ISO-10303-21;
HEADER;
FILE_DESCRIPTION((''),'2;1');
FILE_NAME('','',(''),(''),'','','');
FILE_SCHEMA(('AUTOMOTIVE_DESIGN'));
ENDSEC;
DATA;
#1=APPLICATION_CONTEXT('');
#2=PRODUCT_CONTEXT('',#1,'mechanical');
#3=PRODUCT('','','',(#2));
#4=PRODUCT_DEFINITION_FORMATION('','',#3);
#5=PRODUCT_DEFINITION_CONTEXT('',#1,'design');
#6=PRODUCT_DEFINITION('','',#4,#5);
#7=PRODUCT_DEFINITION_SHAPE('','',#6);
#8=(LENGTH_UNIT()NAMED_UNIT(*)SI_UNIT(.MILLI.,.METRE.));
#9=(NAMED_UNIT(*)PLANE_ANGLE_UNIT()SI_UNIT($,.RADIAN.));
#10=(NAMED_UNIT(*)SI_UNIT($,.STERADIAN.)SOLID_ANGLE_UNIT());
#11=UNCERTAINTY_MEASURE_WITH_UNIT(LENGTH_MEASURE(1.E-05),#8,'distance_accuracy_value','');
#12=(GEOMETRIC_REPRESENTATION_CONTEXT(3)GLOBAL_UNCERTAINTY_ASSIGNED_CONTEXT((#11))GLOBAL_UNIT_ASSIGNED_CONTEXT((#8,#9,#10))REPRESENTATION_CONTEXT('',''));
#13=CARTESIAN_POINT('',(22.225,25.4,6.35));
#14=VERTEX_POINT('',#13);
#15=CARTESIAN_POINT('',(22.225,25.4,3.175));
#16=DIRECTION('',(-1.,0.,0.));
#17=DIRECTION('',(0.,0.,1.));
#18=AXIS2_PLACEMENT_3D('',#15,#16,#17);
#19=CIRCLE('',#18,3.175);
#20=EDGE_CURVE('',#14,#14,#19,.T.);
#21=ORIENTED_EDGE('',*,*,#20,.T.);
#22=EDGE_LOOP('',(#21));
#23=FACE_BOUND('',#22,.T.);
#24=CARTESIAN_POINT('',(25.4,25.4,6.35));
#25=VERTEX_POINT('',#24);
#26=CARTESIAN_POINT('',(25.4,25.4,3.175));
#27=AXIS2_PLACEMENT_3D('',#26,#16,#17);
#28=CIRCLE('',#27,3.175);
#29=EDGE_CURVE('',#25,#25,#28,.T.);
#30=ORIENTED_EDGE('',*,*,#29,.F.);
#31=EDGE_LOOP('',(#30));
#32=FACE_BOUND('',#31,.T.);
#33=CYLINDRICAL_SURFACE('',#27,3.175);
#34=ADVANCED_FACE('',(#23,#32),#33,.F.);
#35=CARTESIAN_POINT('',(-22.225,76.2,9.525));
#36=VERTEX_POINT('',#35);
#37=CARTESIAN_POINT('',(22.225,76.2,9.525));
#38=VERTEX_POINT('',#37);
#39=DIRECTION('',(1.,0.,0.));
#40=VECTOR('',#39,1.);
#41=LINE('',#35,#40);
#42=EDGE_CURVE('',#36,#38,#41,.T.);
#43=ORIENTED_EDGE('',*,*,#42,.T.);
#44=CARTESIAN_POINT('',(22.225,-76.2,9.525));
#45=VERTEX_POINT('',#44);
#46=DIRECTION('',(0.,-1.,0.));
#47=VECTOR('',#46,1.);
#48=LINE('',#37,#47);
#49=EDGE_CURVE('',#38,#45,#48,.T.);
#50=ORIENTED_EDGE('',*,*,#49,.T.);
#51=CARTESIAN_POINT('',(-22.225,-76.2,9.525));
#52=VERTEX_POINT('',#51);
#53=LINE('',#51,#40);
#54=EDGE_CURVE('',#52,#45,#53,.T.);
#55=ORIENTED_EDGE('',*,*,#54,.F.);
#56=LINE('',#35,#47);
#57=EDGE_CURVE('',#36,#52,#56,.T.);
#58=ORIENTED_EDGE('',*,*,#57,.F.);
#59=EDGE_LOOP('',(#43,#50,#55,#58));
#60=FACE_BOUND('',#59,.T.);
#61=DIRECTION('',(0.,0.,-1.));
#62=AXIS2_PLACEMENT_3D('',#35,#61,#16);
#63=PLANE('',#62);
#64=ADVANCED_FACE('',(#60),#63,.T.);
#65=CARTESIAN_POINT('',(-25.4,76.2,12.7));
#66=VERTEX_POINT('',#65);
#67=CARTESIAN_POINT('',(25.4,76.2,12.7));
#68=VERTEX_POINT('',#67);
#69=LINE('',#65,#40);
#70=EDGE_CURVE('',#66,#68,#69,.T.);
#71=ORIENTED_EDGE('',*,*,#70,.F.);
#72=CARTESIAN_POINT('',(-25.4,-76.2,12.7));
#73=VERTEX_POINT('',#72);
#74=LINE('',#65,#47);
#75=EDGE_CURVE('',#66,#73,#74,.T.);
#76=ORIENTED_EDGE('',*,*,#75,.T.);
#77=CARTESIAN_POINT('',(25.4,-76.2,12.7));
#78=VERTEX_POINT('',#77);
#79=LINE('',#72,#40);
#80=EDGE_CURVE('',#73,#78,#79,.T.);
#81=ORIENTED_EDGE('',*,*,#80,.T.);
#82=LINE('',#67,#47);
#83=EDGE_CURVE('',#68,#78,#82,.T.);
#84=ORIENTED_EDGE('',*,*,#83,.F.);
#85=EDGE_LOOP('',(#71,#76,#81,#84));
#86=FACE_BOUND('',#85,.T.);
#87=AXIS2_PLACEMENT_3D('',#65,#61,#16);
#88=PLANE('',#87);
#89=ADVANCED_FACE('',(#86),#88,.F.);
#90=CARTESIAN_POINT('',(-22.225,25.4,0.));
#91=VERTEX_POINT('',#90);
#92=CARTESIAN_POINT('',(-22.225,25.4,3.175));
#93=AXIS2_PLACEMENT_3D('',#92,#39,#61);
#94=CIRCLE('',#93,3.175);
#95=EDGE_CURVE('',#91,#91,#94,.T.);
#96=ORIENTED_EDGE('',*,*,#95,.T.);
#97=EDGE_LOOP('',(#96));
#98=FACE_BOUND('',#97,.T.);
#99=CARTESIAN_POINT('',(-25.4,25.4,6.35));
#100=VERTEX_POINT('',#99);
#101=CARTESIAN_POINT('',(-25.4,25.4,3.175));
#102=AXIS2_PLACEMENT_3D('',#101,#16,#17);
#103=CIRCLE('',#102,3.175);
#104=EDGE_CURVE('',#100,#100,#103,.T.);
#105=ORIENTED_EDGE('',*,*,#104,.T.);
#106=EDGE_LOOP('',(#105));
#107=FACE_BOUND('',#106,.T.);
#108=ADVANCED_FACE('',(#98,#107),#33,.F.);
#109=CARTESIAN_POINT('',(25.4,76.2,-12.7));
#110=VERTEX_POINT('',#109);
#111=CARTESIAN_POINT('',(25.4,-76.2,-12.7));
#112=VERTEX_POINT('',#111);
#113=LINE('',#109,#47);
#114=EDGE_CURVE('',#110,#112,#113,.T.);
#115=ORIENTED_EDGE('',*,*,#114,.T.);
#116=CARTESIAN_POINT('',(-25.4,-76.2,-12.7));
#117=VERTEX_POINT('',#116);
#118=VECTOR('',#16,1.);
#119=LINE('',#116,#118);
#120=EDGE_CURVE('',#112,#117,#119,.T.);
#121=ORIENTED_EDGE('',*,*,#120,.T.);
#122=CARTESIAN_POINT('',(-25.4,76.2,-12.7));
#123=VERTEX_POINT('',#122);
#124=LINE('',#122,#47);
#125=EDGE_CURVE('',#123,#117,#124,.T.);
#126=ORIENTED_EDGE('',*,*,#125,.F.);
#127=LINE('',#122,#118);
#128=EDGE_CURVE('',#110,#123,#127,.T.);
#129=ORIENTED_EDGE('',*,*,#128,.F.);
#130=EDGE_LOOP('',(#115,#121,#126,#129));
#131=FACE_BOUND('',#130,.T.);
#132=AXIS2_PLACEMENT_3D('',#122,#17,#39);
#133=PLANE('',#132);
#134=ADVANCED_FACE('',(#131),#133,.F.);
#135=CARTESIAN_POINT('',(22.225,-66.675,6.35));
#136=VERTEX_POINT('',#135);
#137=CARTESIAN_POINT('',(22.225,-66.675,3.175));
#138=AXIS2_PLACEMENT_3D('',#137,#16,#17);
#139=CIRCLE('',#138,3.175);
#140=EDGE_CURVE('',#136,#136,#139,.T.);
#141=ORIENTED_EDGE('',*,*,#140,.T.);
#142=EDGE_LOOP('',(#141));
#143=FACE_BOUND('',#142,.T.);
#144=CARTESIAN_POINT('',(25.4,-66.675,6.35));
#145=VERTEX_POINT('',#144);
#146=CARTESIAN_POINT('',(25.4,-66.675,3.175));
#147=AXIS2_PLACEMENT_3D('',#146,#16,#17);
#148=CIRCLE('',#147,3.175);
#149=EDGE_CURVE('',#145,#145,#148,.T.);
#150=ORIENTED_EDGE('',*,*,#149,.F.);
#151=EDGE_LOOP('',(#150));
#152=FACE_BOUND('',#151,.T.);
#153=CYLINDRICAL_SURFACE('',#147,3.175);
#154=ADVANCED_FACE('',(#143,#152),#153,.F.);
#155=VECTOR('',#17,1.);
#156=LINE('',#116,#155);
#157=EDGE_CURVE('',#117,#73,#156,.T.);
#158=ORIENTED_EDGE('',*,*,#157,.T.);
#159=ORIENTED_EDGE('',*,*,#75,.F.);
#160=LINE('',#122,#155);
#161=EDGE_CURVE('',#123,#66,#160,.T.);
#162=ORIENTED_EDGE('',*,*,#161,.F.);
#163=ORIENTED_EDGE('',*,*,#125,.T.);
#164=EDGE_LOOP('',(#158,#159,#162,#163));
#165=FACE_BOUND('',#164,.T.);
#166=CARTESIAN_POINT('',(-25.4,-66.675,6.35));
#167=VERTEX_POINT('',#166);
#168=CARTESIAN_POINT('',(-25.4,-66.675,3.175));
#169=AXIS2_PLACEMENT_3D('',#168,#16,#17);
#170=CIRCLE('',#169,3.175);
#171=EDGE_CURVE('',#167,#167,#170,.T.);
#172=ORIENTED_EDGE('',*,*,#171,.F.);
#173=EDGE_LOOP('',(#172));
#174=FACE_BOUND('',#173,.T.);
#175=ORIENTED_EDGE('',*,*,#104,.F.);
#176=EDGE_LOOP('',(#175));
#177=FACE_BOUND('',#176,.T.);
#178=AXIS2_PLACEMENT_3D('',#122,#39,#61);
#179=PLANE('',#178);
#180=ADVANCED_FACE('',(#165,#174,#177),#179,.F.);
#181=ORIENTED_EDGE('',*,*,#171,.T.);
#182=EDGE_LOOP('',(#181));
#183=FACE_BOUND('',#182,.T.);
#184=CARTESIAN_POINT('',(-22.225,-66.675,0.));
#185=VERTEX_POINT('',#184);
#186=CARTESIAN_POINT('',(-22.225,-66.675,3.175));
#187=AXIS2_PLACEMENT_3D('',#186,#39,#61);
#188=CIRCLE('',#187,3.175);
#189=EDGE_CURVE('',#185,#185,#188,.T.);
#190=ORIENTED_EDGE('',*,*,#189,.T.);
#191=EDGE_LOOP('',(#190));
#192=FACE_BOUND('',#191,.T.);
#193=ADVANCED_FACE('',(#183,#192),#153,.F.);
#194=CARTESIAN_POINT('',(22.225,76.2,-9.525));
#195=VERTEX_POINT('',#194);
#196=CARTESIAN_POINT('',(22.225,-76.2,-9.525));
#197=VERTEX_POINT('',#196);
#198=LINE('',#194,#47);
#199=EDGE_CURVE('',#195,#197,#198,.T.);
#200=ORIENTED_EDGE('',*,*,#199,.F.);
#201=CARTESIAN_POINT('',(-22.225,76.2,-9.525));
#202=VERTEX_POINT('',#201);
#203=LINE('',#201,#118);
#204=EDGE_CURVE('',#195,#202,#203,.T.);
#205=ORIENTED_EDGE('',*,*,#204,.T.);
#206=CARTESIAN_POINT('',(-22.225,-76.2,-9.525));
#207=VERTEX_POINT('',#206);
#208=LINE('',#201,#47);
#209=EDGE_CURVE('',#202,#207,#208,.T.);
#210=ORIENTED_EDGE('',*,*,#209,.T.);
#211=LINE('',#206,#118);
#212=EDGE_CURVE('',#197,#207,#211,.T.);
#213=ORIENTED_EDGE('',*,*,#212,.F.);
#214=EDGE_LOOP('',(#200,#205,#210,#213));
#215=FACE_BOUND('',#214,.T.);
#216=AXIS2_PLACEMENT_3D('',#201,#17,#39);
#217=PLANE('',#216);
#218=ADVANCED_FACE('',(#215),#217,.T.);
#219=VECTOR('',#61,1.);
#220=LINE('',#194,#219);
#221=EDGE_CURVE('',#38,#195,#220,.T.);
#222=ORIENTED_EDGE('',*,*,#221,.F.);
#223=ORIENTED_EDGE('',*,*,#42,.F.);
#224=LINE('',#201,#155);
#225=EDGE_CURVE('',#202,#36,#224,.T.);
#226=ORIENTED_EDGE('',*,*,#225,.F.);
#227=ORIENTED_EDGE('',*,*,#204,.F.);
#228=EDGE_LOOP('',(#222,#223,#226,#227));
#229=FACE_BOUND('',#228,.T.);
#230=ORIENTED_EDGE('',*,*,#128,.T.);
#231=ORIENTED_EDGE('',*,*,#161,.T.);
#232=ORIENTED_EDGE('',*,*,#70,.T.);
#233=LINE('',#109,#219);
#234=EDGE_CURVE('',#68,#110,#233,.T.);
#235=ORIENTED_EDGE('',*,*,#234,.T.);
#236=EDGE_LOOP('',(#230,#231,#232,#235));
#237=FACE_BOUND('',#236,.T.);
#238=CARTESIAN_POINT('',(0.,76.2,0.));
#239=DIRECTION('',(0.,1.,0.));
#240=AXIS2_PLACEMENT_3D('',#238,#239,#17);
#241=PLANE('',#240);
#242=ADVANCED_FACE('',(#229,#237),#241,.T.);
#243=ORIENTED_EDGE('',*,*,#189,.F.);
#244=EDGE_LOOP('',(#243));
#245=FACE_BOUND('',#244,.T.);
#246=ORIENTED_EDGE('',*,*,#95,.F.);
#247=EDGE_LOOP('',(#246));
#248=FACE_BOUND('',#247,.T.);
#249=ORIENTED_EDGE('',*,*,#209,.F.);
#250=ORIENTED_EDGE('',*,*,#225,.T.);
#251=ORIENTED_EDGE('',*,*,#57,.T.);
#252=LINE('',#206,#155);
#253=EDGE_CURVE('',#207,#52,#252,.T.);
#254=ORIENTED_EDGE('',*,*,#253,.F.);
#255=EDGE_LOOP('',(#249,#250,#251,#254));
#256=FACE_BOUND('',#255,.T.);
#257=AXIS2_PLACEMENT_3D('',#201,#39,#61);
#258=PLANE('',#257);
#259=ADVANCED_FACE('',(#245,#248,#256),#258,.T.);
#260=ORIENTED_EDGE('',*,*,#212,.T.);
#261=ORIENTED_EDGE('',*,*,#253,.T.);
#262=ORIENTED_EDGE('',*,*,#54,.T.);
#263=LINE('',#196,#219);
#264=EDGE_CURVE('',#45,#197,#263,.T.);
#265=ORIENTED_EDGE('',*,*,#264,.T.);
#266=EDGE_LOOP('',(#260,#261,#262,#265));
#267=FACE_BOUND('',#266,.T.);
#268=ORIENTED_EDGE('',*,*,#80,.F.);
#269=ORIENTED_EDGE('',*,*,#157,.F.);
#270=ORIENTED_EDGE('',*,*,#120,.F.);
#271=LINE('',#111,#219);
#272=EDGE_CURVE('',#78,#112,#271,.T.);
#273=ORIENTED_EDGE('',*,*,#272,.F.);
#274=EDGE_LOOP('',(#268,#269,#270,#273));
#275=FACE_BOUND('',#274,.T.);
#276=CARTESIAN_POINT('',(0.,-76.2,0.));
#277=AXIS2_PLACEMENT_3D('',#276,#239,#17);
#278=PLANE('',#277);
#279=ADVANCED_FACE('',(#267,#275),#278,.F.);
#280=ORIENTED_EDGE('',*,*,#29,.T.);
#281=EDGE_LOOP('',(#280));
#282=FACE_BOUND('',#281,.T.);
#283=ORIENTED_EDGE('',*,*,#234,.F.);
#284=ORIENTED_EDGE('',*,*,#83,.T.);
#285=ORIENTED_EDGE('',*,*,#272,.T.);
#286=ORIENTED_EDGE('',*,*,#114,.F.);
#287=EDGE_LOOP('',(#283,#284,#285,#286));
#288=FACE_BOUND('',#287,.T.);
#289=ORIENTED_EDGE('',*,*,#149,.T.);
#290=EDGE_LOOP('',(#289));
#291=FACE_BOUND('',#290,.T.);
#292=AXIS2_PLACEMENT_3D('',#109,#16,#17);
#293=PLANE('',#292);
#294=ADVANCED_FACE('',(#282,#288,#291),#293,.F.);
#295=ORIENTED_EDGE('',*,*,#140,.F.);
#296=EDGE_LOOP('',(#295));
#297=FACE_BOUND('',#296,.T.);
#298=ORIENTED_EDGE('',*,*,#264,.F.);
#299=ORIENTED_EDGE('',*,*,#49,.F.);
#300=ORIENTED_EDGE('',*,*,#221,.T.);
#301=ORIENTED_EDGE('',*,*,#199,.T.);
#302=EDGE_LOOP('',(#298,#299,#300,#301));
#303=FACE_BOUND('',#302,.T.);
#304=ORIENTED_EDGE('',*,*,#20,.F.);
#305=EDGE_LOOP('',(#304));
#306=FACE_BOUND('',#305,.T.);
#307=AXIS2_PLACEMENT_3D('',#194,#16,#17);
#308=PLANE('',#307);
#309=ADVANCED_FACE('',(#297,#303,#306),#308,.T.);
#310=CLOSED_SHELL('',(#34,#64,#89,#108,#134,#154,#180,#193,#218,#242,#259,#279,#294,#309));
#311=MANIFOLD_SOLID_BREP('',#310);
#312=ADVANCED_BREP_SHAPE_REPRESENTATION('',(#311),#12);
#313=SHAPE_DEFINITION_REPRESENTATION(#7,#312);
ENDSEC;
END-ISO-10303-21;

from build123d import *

# Parameters (mm, degrees)
SKETCH1_W           = 50.8
SKETCH1_H           = 25.4
SKETCH1_W_2         = 44.45
SKETCH1_H_2         = 19.05
BOSS_EXTRUDE1_DEPTH = 76.2
SKETCH2_R           = 3.175
CUT_EXTRUDE1_DEPTH  = 93.457395594


with BuildPart() as part:
    # Sketch1 → Boss-Extrude1 (new, symmetric)
    with BuildSketch(Plane(origin=(0, 0, 0), x_dir=(1, 0, 0), z_dir=(0, 1, 0))):
        Rectangle(SKETCH1_W, SKETCH1_H)
        Rectangle(SKETCH1_W_2, SKETCH1_H_2, mode=Mode.SUBTRACT)
    extrude(amount=BOSS_EXTRUDE1_DEPTH, both=True)

    # Sketch2 → Cut-Extrude1 (cut, through all)
    with BuildSketch(Plane.ZY.offset(25.4)):
        with Locations((3.175, -66.675)):
            Circle(SKETCH2_R)
        with Locations((3.175, 25.4)):
            Circle(SKETCH2_R)
    extrude(amount=-CUT_EXTRUDE1_DEPTH, mode=Mode.SUBTRACT)


solid = part.part
